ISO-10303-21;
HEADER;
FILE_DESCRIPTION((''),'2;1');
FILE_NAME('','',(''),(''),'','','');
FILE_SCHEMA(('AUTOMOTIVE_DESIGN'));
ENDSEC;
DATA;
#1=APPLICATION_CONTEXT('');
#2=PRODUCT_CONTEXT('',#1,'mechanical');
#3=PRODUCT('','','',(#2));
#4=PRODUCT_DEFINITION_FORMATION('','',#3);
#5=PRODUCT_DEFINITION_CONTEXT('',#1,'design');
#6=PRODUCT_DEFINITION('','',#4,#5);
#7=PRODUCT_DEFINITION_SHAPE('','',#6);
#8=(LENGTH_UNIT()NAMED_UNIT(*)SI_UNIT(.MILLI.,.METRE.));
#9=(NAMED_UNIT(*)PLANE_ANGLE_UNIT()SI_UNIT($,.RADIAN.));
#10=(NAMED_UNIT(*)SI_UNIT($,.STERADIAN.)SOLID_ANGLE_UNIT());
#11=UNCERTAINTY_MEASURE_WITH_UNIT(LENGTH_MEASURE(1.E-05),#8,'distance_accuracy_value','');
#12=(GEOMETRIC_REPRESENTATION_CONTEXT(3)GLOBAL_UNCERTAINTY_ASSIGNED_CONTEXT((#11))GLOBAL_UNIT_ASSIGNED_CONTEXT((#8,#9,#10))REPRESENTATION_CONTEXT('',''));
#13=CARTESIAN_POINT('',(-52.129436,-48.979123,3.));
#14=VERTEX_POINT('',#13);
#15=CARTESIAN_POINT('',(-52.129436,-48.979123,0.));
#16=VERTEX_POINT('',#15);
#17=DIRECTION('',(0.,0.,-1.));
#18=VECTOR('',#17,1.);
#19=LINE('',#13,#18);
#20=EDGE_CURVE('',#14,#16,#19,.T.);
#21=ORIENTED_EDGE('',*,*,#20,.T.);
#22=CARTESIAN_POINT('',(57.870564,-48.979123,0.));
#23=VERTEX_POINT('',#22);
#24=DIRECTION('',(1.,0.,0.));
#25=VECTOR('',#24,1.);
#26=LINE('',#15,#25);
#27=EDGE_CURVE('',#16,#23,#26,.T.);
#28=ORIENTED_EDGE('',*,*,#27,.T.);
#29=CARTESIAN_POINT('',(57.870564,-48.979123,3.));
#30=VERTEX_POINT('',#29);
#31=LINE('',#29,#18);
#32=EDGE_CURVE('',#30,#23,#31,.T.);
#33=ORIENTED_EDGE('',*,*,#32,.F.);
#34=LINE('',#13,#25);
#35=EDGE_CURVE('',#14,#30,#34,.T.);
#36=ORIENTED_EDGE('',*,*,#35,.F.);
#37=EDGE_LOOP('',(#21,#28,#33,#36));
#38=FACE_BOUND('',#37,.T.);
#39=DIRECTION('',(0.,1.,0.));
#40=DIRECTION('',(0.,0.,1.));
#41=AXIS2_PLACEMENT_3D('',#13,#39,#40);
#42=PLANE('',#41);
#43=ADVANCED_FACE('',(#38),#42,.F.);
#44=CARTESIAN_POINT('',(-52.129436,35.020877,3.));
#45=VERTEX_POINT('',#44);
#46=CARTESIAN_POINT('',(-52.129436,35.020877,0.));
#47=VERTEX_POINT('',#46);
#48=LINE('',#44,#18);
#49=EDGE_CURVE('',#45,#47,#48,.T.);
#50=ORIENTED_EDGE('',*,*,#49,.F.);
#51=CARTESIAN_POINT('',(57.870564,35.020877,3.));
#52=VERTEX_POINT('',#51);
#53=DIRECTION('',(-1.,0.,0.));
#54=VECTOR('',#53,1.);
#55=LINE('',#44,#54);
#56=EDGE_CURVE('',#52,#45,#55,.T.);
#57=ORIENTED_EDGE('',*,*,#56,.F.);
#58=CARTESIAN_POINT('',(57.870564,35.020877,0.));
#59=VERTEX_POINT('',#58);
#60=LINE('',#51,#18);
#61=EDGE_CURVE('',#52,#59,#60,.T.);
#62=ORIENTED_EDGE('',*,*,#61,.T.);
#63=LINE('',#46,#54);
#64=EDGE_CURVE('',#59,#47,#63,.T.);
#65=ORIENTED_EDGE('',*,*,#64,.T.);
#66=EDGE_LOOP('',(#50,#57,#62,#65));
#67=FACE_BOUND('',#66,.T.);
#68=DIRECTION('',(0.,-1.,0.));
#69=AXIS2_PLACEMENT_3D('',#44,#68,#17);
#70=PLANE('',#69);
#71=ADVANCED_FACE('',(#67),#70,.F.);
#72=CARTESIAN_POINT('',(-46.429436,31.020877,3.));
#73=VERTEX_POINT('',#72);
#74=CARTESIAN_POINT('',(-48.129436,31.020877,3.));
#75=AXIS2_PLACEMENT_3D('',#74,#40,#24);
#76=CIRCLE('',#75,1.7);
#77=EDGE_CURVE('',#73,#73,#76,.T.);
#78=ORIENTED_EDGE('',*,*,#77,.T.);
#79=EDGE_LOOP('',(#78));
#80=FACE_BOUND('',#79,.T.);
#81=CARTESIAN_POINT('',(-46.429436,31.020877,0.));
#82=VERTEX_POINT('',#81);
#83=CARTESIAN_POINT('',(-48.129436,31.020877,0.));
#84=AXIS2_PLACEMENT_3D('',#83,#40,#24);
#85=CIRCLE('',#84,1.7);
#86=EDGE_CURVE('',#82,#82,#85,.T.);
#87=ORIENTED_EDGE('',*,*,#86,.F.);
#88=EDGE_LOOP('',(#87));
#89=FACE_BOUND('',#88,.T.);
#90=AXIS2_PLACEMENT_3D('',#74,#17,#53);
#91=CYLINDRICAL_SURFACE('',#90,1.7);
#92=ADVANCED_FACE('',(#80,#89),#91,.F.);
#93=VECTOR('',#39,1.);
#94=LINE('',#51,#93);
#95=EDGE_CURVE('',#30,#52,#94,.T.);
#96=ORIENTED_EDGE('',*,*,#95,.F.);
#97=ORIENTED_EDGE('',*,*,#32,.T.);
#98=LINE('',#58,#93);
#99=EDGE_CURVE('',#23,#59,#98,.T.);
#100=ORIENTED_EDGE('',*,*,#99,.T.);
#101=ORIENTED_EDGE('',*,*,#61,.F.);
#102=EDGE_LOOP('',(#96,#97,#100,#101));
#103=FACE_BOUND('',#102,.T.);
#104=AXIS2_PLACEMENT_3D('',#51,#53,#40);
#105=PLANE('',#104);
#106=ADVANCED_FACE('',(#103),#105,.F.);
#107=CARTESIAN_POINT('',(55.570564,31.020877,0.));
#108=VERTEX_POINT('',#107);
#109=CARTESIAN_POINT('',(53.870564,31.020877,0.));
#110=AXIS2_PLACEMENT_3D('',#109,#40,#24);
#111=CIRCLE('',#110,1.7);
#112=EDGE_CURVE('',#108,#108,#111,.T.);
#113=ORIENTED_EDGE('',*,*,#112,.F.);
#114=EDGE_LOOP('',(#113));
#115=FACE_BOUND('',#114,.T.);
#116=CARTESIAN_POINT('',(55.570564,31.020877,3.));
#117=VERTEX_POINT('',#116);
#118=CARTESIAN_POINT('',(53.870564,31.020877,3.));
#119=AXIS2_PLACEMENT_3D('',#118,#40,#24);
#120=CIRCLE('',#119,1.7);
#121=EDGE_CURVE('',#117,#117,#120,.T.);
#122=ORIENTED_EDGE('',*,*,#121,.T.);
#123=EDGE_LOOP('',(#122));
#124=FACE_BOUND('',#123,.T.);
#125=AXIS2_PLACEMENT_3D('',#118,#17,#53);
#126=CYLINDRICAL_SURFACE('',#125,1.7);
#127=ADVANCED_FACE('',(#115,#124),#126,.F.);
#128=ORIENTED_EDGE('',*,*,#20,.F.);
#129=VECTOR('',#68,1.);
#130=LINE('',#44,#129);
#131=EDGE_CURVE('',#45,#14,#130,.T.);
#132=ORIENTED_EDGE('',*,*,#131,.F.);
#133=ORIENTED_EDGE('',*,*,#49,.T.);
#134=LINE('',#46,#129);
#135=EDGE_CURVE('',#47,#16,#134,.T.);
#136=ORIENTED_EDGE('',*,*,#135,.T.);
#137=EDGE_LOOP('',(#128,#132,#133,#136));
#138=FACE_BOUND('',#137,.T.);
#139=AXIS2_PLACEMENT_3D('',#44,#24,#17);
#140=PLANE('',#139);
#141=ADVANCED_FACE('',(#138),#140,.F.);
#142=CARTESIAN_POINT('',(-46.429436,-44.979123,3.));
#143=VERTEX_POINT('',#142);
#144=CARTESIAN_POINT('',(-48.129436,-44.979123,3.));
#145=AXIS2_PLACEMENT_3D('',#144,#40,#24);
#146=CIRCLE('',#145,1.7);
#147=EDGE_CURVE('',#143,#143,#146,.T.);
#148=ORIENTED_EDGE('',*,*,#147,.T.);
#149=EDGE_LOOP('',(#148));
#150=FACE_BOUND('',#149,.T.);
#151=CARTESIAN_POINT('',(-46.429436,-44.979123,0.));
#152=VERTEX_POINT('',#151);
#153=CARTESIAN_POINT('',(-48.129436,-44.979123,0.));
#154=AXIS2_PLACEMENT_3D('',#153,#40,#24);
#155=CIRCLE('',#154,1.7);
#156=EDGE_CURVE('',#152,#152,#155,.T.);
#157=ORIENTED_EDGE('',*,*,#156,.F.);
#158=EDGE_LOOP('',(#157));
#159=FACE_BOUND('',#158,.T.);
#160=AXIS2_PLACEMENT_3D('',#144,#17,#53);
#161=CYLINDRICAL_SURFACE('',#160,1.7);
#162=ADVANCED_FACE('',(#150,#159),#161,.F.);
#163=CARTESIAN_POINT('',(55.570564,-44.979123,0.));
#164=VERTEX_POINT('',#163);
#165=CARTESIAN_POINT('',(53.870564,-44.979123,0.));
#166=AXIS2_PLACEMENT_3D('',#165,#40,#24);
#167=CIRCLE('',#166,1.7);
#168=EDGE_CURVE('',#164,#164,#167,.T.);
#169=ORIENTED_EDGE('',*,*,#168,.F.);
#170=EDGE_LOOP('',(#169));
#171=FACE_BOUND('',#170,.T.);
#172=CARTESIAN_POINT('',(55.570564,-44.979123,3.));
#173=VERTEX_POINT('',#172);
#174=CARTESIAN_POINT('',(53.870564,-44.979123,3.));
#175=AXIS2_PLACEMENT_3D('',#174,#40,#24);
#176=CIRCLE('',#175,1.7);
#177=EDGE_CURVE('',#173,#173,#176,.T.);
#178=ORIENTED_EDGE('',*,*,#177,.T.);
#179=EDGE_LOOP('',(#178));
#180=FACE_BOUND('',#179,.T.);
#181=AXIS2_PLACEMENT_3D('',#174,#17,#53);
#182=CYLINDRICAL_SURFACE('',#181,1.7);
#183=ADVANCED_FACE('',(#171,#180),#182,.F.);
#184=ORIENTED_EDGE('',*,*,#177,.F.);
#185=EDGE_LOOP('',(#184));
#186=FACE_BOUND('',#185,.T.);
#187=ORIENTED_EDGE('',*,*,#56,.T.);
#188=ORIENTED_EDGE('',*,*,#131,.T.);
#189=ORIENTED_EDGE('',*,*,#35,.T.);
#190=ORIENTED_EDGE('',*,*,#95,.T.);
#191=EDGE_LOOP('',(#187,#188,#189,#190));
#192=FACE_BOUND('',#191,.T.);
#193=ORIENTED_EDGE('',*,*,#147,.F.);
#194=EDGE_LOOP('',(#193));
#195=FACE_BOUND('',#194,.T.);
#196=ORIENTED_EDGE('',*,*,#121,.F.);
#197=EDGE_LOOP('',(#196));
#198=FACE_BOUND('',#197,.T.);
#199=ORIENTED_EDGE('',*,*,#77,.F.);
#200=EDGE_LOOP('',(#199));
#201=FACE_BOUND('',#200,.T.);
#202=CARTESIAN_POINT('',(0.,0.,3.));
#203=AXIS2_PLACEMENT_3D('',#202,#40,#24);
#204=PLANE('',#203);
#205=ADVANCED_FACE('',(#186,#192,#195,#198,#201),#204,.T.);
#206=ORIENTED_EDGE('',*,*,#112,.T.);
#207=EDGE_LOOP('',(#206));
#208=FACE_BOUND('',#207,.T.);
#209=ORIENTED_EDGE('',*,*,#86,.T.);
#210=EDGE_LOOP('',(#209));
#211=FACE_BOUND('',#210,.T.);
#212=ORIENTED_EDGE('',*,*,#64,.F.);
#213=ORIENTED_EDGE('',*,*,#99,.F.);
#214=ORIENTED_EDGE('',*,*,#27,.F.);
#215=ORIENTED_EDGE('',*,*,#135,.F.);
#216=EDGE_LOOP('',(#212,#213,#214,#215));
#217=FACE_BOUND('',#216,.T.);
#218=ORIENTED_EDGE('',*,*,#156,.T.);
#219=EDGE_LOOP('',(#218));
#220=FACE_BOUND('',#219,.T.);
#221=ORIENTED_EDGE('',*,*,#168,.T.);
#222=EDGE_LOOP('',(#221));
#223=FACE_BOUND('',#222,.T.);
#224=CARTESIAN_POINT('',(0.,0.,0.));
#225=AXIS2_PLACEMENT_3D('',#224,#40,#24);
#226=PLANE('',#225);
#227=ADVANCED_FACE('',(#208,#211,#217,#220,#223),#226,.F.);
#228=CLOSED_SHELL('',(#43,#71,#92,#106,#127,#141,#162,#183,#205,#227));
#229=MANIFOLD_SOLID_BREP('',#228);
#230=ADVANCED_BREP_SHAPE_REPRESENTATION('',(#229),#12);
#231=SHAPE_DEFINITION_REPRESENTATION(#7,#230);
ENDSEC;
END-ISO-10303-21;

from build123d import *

# Parameters (mm, degrees)
SKETCH_1_W      = 110
SKETCH_1_H      = 84
SKETCH_1_R      = 1.7
EXTRUDE_1_DEPTH = 3


with BuildPart() as part:
    # 草图1 → 凸台-拉伸1 (new body)
    with BuildSketch(Plane.XY):
        with Locations((2.870563674, -6.979123173)):
            Rectangle(SKETCH_1_W, SKETCH_1_H)
        with Locations((-48.129436326, 31.020876827)):
            Circle(SKETCH_1_R, mode=Mode.SUBTRACT)
        with Locations((53.870563674, 31.020876827)):
            Circle(SKETCH_1_R, mode=Mode.SUBTRACT)
        with Locations((53.870563674, -44.979123173)):
            Circle(SKETCH_1_R, mode=Mode.SUBTRACT)
        with Locations((-48.129436326, -44.979123173)):
            Circle(SKETCH_1_R, mode=Mode.SUBTRACT)
    extrude(amount=EXTRUDE_1_DEPTH)


solid = part.part
